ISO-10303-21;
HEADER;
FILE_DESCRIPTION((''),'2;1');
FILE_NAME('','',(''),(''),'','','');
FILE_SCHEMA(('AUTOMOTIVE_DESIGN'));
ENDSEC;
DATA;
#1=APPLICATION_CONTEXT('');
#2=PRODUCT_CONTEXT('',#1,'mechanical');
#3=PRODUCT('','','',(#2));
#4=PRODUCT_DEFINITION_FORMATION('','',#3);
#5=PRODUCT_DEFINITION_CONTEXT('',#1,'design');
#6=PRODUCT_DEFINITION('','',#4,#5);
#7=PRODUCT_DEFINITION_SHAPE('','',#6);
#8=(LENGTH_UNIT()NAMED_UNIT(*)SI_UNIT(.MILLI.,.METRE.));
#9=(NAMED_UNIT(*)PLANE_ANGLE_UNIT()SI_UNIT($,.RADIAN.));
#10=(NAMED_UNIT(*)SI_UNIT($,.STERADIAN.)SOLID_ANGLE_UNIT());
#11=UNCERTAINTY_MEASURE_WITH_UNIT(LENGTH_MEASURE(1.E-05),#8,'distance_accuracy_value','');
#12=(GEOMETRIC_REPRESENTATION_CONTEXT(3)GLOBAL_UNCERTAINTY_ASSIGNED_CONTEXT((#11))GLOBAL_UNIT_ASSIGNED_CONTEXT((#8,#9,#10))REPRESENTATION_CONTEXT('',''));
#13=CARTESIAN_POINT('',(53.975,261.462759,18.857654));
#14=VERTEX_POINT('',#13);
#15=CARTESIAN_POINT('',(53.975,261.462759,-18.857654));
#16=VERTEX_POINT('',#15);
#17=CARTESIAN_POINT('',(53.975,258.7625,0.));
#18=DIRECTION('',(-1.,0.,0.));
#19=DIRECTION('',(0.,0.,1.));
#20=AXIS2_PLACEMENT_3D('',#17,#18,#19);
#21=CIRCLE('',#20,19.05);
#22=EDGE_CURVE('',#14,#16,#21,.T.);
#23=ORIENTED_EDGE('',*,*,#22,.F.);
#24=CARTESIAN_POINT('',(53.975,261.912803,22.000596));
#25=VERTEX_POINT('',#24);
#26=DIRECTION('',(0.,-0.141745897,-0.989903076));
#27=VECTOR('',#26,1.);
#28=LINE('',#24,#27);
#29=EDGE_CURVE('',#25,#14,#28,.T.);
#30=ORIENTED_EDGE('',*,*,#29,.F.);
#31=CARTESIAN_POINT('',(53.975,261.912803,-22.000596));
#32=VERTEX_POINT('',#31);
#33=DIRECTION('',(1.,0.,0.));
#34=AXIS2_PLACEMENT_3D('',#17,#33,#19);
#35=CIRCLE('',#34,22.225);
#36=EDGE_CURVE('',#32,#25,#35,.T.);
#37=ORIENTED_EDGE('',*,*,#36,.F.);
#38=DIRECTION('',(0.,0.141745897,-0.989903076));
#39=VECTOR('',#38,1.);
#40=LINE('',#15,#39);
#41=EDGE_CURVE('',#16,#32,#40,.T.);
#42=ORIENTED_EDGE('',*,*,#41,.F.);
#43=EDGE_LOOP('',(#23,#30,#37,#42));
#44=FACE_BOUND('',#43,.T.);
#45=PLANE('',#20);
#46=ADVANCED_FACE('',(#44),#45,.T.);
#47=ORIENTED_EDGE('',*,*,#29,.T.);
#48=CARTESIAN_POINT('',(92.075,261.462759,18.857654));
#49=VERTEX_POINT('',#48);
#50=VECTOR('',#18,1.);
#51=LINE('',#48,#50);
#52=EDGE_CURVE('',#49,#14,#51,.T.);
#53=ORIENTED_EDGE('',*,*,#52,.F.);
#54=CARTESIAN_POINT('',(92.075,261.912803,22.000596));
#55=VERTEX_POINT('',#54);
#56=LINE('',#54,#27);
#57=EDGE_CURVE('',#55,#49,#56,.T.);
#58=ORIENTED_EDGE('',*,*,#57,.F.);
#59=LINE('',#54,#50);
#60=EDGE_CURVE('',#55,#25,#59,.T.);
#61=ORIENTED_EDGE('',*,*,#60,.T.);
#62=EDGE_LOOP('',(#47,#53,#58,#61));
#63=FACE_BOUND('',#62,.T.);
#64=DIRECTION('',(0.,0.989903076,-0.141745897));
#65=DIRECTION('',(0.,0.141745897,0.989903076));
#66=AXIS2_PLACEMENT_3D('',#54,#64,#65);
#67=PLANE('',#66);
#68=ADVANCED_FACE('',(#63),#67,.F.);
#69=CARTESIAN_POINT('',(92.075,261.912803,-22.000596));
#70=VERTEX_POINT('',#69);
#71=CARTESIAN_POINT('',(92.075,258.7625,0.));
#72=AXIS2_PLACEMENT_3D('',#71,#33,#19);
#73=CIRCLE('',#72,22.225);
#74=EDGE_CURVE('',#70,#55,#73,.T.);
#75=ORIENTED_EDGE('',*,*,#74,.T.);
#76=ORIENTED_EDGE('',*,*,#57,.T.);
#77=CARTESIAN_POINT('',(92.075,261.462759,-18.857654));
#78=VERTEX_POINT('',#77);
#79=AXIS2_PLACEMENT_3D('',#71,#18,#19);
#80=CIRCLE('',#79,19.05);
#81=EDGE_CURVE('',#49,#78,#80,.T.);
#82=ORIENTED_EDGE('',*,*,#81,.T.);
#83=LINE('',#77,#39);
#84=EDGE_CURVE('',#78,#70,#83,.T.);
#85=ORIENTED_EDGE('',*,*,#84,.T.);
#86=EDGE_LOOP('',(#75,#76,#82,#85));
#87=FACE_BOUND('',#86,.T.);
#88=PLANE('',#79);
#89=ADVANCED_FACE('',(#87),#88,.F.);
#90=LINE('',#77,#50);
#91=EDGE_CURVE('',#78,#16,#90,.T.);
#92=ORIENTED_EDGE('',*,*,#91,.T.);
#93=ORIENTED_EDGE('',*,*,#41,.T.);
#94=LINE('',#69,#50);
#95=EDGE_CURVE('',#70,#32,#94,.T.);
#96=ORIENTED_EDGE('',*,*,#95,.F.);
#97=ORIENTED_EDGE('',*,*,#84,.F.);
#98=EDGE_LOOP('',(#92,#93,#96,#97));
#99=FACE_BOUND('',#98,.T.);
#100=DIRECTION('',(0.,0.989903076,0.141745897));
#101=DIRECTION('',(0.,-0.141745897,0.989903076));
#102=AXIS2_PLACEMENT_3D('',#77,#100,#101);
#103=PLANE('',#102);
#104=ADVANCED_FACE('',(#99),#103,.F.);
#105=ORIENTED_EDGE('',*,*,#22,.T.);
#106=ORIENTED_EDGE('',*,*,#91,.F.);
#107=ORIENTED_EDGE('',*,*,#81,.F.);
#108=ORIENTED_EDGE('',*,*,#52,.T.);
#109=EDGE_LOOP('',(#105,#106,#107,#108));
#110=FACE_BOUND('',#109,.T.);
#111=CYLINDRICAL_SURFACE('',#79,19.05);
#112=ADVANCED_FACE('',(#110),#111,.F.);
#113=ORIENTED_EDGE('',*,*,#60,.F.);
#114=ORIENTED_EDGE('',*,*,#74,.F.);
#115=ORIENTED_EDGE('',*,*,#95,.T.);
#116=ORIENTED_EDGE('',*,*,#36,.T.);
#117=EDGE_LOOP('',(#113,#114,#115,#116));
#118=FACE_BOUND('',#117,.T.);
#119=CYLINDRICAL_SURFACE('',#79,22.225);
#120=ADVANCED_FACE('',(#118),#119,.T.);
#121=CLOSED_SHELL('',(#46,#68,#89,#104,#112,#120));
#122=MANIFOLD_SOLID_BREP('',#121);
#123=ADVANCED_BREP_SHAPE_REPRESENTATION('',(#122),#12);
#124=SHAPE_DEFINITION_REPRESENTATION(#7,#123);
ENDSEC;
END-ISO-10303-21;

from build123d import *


with BuildPart() as part:
    # Sweep1: sweep along a path in Sketch3
    with BuildLine(Plane(origin=(0, 253.563469884, 36.308182496), x_dir=(1, 0, 0), z_dir=(0, 0.989903076, 0.141745897))) as sweep1_path:
        Line((92.075, 58.903522739), (53.975, 58.903522739))
    # Sketch2 → Sweep1 (sweep)
    with BuildSketch(Plane(origin=(53.975, 0, 0), x_dir=(0, 0, -1), z_dir=(1, 0, 0))):
        with BuildLine():
            Line((-22.000595872, 261.912802567), (-18.857653605, 261.462759343))
            ThreePointArc((-18.857653605, 261.462759343), (0, 277.8125), (18.857653605, 261.462759343))
            Line((18.857653605, 261.462759343), (22.000595872, 261.912802567))
            ThreePointArc((22.000595872, 261.912802567), (0, 280.9875), (-22.000595872, 261.912802567))
        make_face()
    sweep(path=sweep1_path.line)


solid = part.part
